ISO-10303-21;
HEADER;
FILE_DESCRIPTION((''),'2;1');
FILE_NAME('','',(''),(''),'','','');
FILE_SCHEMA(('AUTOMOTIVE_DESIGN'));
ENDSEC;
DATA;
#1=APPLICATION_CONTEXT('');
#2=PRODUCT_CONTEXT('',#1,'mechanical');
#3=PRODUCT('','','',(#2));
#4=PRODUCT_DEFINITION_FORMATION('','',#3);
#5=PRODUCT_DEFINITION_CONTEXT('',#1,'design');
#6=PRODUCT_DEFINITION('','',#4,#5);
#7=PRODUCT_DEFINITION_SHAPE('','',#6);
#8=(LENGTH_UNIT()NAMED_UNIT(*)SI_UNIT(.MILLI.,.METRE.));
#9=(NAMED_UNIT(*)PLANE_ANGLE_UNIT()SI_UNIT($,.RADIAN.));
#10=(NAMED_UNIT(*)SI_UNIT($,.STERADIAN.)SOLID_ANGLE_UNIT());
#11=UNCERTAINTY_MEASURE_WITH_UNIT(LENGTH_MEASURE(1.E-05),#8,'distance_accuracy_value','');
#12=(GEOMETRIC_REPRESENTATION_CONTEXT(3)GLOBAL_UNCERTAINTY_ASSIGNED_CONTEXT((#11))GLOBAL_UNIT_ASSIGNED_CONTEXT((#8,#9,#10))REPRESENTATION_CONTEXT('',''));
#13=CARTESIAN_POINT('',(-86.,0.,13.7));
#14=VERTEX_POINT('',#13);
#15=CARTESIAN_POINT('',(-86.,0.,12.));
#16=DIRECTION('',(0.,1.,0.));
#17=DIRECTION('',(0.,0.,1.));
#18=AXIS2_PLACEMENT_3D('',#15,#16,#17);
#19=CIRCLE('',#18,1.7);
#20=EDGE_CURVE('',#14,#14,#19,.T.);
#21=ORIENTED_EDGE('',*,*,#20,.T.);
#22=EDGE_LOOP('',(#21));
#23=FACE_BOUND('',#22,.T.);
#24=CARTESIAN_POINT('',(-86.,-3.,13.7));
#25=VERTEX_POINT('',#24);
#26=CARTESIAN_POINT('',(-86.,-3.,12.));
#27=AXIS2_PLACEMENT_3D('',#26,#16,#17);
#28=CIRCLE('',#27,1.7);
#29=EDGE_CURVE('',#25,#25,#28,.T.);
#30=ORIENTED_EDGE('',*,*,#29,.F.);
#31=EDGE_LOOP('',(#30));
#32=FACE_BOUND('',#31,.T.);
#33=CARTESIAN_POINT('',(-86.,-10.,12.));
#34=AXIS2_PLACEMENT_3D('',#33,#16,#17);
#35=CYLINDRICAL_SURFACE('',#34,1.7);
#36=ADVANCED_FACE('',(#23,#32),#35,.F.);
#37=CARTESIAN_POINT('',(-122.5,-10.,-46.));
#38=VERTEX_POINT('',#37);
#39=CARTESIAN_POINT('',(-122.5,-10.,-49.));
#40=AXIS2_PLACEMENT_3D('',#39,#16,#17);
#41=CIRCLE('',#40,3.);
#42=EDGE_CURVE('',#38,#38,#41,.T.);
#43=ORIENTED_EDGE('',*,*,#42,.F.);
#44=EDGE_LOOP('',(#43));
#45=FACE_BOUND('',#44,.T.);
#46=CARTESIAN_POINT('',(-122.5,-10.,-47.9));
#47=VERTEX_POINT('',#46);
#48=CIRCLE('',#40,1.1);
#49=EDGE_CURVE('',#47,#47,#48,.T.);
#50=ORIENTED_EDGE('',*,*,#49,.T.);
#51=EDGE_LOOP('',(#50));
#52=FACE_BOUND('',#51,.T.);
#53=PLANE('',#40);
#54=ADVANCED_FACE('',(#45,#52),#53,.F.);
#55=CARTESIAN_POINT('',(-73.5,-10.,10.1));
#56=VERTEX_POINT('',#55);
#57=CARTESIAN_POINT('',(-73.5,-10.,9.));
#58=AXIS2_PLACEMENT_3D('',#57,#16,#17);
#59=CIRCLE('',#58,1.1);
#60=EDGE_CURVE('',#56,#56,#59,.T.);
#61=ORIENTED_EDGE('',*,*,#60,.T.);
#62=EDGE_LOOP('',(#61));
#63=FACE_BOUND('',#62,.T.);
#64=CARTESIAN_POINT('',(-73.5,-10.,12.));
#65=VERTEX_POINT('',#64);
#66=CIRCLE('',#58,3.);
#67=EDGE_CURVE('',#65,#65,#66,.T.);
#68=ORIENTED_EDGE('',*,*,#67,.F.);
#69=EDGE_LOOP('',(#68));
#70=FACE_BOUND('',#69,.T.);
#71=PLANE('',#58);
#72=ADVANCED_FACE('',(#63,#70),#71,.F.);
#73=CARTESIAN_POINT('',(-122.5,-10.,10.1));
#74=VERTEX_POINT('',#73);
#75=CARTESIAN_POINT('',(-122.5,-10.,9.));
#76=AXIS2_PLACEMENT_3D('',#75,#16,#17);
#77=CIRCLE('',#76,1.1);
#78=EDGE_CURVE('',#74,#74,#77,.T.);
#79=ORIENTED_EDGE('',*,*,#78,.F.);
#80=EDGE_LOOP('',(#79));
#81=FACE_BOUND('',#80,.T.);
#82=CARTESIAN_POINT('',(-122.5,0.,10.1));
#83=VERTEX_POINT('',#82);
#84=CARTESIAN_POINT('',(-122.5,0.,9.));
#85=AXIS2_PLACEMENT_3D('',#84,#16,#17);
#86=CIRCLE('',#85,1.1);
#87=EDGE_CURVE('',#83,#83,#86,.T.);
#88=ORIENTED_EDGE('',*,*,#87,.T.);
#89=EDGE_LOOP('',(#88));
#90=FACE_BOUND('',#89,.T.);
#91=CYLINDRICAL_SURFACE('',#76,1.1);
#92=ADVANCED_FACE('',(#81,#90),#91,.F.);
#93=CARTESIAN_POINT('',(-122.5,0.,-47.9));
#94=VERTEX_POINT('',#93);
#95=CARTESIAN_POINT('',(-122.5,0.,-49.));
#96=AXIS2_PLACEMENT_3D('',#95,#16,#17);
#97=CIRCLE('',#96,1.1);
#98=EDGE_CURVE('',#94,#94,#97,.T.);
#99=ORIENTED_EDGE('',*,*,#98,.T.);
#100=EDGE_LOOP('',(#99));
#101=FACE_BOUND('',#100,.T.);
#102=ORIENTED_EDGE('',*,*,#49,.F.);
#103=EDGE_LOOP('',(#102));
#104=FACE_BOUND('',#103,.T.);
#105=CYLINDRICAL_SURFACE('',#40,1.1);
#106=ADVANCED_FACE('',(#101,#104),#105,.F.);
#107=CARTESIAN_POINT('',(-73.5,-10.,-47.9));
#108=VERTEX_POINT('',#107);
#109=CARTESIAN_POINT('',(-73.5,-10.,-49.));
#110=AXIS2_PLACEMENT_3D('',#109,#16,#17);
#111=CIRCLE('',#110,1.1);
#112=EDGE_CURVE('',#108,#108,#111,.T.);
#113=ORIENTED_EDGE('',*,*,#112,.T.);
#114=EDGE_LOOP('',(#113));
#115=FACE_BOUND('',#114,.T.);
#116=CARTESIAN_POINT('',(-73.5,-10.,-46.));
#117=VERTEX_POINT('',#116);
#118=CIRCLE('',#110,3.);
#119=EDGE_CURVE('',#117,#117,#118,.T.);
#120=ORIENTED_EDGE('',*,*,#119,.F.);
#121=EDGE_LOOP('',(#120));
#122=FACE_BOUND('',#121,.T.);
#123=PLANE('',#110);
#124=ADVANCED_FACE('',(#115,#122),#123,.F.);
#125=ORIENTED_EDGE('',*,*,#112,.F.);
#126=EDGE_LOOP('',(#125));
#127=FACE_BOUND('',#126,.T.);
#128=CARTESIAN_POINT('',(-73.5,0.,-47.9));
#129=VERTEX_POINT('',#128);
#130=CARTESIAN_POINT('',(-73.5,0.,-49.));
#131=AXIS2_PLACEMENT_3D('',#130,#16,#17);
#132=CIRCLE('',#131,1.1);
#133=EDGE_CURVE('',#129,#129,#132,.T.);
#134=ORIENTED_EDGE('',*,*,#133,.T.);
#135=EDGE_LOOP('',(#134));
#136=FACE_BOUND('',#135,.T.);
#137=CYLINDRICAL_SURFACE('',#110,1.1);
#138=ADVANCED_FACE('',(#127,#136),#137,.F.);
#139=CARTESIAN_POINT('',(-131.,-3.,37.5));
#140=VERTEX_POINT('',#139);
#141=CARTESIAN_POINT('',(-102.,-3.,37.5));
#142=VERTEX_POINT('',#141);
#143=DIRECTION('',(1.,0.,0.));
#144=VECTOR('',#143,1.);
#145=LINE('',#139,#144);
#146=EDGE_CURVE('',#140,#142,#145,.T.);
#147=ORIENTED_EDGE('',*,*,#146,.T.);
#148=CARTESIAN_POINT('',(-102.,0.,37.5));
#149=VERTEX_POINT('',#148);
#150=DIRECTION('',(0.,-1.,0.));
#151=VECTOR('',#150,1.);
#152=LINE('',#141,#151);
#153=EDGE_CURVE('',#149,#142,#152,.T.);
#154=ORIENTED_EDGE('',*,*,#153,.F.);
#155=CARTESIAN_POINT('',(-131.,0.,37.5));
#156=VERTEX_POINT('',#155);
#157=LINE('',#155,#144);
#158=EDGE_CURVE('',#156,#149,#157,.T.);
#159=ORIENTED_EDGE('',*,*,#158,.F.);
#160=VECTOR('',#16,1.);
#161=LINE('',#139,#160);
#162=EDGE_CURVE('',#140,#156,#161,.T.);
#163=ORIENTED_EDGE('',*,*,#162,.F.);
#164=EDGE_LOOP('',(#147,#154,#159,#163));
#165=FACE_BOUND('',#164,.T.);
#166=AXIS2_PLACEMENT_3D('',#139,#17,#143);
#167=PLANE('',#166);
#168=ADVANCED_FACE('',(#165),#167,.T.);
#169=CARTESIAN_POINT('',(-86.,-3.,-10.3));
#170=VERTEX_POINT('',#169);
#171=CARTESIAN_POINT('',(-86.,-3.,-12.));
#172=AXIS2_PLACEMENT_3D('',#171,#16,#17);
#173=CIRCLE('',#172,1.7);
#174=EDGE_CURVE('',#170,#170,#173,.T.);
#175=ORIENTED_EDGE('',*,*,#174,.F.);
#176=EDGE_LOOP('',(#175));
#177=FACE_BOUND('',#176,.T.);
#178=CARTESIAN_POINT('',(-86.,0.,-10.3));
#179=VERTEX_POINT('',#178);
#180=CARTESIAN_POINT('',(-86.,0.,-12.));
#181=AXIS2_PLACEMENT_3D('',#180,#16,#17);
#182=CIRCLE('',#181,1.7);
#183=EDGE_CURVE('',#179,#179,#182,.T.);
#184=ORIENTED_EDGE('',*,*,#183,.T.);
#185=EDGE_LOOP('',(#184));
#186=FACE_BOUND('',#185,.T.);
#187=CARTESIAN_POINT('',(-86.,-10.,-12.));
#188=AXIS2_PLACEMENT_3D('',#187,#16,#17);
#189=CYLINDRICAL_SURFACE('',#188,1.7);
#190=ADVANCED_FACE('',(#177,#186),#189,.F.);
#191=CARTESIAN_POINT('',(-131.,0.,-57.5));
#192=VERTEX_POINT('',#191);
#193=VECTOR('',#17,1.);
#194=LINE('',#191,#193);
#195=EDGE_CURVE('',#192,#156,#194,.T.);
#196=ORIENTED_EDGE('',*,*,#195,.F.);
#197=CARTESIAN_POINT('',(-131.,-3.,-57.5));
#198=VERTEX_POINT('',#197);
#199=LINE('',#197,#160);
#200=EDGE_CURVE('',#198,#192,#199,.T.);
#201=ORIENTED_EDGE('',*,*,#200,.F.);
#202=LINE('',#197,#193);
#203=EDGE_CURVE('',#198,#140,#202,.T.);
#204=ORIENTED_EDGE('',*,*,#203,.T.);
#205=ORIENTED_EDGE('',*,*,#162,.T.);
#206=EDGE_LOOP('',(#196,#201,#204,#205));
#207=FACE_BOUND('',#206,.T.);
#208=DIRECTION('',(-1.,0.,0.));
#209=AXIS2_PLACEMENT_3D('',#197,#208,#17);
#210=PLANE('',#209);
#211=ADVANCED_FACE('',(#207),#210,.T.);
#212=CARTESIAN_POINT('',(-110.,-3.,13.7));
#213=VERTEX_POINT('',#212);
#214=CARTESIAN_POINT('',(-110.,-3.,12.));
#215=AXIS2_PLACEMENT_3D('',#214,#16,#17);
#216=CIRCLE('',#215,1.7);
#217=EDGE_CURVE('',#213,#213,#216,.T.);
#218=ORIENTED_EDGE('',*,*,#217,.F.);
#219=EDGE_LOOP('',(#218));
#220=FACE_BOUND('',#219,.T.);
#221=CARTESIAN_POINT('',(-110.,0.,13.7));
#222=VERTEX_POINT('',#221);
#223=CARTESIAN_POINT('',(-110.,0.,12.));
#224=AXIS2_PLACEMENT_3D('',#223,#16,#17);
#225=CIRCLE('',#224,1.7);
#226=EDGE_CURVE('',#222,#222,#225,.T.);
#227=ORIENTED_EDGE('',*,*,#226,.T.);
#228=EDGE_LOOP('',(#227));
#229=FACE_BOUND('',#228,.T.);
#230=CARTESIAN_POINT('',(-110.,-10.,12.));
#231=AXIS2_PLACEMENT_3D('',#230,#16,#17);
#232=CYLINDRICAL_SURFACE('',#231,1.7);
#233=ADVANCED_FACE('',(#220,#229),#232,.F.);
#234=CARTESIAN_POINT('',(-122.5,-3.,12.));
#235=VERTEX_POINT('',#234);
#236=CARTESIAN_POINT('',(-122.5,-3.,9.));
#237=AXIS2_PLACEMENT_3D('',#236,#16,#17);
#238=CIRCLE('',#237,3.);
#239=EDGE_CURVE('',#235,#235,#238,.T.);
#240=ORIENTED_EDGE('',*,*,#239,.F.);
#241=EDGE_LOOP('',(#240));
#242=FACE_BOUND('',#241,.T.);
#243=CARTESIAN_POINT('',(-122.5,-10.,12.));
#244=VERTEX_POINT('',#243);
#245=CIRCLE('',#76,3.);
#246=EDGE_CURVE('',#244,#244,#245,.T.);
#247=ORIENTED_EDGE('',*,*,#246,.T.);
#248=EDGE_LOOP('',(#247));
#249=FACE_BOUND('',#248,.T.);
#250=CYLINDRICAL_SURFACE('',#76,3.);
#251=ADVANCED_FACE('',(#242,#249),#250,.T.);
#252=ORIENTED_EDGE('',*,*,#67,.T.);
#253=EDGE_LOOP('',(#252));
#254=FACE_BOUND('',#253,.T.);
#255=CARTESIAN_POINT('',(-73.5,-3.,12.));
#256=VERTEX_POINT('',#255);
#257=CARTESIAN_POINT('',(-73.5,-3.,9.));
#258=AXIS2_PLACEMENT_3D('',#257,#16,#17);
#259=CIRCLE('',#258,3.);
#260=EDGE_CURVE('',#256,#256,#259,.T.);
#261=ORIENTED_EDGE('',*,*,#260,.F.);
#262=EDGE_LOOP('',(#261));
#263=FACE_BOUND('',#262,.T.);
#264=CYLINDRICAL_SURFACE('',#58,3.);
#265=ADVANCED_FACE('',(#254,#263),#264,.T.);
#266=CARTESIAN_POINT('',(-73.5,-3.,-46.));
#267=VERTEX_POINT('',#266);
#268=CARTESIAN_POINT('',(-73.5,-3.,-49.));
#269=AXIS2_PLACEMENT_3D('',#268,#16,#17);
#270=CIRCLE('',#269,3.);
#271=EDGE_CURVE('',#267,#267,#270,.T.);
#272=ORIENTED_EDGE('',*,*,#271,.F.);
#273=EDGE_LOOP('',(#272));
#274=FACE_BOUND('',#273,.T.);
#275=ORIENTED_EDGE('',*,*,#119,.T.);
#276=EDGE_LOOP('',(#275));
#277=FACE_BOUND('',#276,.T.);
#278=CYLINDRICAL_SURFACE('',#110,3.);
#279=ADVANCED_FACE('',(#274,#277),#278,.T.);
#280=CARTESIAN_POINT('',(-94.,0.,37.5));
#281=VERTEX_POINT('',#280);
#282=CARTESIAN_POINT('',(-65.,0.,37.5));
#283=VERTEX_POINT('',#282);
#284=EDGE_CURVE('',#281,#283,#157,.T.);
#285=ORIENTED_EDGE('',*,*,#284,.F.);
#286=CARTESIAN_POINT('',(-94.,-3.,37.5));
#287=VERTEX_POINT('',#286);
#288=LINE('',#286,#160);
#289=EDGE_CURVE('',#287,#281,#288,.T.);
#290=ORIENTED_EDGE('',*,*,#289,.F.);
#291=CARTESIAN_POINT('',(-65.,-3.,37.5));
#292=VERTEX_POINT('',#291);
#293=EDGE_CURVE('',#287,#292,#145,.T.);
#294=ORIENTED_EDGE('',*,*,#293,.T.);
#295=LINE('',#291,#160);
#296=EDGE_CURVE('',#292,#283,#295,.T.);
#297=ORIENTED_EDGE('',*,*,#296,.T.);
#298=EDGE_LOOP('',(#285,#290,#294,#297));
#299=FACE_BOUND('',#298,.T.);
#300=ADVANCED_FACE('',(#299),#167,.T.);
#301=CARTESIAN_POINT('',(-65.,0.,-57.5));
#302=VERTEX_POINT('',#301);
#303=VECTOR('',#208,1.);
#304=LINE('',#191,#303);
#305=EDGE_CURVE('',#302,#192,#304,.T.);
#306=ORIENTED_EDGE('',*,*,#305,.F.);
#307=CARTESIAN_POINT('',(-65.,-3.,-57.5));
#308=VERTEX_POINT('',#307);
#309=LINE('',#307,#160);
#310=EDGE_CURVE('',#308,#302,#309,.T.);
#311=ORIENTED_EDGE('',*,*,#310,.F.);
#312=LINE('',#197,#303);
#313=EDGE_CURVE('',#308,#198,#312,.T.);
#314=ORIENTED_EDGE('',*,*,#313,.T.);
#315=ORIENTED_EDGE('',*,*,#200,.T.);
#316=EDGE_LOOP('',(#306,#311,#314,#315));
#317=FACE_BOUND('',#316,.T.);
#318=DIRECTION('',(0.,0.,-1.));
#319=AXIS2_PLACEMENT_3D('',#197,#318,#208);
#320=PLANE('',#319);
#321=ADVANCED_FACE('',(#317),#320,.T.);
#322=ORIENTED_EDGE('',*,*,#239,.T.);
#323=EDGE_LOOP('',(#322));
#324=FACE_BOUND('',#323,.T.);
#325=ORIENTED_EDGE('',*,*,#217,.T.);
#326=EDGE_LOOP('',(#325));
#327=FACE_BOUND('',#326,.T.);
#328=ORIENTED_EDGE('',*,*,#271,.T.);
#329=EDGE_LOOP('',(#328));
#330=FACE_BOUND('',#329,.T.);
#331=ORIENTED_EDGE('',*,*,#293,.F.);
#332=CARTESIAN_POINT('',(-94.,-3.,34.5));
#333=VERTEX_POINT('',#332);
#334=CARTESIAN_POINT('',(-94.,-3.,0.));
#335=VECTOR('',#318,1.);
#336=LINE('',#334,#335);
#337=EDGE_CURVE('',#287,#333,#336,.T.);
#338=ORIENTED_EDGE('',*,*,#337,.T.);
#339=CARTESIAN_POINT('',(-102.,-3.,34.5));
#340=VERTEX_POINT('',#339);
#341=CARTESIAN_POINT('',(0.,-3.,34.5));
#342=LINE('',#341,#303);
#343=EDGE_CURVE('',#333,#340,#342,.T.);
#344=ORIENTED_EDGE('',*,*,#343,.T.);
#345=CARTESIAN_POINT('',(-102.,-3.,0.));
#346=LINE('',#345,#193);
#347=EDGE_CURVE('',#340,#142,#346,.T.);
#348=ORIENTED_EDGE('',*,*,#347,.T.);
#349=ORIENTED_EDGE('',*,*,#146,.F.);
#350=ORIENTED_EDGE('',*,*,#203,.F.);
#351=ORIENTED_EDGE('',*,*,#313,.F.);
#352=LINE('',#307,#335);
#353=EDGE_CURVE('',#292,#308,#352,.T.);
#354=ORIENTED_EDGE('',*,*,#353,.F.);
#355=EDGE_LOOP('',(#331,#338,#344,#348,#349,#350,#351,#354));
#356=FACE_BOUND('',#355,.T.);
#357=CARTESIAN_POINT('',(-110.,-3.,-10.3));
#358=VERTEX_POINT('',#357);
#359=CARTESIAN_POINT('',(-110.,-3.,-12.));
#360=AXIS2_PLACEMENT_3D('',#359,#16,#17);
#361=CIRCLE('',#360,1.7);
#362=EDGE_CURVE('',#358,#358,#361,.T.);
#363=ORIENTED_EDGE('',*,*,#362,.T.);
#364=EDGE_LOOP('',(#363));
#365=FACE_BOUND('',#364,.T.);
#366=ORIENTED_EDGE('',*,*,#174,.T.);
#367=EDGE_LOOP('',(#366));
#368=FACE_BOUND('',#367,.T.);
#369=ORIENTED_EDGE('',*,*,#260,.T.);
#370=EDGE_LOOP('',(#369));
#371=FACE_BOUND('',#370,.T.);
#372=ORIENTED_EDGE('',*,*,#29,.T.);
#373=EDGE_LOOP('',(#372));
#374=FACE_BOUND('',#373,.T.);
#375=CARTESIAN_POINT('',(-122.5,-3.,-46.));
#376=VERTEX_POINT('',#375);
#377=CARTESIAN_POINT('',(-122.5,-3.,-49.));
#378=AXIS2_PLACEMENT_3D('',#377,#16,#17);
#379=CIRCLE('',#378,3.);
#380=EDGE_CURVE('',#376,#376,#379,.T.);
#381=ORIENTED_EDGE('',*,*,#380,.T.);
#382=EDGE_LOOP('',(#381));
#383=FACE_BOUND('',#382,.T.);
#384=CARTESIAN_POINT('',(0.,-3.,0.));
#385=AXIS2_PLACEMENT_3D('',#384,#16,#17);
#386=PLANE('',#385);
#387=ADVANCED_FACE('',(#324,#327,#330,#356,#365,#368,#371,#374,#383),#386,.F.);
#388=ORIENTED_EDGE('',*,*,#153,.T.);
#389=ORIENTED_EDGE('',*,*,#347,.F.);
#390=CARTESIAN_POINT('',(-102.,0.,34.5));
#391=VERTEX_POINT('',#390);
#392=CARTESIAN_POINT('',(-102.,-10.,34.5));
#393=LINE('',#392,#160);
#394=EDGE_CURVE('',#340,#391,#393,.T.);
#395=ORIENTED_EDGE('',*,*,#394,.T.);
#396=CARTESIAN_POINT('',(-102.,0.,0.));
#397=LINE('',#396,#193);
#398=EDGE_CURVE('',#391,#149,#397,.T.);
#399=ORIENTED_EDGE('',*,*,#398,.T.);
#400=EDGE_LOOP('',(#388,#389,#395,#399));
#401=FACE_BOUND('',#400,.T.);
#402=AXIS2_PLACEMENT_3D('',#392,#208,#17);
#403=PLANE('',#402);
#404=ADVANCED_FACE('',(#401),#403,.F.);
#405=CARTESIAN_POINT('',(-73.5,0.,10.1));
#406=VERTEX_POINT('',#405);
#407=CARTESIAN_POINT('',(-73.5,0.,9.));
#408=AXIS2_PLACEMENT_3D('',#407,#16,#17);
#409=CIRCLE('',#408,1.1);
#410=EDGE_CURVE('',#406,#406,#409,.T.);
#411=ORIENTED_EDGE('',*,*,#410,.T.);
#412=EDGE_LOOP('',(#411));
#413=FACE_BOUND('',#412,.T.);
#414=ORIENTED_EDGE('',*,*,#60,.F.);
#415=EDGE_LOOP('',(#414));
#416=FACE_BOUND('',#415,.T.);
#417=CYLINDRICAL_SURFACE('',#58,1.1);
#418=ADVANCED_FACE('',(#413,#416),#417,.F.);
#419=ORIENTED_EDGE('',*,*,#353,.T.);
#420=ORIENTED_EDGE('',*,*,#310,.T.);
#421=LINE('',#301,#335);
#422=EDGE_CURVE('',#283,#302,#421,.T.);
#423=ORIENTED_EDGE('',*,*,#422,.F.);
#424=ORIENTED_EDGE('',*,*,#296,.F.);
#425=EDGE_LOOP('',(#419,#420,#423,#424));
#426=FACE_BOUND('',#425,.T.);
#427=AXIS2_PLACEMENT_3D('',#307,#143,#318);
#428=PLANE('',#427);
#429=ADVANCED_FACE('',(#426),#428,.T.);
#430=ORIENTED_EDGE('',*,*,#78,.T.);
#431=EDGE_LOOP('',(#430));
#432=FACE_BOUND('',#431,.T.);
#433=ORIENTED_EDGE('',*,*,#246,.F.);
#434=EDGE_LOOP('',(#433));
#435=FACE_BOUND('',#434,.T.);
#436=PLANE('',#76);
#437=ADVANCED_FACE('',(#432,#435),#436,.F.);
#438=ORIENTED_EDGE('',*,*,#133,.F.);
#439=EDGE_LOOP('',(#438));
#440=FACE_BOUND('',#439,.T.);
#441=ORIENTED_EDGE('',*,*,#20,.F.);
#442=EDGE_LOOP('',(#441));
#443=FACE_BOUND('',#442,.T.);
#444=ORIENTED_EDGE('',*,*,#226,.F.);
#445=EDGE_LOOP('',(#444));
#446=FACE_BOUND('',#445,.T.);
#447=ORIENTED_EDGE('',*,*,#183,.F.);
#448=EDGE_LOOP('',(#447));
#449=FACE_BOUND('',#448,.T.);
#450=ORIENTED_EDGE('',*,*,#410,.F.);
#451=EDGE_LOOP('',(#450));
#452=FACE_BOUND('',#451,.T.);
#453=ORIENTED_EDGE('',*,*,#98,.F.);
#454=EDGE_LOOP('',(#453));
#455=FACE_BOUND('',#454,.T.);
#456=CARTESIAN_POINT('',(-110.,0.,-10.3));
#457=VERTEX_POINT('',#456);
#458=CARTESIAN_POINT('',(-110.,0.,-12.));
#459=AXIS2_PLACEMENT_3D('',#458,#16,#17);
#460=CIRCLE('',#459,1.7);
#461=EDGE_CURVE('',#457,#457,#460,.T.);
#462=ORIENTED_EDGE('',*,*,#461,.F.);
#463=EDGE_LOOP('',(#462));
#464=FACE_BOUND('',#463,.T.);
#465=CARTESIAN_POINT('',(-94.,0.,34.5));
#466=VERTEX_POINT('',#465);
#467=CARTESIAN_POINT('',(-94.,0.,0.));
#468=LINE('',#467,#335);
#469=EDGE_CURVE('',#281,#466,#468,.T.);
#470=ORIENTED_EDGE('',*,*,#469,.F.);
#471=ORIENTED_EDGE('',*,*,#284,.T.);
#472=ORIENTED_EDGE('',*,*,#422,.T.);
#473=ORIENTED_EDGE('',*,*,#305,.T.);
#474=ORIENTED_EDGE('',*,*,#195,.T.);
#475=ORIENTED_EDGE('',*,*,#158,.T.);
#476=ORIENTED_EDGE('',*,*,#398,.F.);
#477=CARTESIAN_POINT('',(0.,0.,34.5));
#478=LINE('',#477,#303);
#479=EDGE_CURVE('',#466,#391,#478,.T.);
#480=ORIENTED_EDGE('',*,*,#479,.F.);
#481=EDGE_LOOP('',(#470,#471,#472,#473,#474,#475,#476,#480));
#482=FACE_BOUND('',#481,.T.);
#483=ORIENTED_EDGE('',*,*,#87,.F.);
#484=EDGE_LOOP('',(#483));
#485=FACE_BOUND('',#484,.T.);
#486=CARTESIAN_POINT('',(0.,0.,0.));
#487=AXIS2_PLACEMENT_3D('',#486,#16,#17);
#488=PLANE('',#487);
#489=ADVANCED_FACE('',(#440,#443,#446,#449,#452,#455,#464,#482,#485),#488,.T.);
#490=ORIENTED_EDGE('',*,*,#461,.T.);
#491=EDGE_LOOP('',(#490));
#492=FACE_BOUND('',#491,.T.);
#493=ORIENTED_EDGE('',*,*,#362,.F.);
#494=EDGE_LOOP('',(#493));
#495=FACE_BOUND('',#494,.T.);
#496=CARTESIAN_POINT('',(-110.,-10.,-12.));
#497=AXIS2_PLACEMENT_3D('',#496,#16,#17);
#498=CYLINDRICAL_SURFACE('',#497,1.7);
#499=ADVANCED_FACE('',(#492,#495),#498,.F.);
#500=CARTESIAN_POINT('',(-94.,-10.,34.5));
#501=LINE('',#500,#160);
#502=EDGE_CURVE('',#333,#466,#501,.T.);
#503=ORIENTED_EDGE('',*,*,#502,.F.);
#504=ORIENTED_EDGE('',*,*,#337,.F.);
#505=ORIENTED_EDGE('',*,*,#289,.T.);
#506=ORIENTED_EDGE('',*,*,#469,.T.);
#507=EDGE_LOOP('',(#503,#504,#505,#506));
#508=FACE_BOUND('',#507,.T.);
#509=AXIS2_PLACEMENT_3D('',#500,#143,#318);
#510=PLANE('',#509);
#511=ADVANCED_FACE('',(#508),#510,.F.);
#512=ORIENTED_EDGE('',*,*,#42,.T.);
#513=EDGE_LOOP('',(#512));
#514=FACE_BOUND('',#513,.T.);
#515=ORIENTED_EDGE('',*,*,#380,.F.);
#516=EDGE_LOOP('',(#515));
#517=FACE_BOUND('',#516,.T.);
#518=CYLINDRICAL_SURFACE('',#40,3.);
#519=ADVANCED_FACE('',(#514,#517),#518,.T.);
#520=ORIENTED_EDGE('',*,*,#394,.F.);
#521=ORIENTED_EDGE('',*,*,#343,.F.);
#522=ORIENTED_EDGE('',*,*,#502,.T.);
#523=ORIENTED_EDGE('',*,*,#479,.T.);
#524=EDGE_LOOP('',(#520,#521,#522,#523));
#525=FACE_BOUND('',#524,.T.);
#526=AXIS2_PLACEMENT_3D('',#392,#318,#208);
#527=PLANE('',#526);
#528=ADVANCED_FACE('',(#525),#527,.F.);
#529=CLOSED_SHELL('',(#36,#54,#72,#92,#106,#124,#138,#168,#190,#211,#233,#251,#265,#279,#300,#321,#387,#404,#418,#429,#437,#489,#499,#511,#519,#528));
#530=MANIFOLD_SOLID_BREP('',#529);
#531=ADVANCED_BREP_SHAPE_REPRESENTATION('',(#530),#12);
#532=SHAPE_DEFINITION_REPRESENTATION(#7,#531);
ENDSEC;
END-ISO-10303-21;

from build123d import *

# Parameters (mm, degrees)
SKETCH1_W                       = 66
SKETCH1_H                       = 95
CRADLE_BASE_DEPTH               = 3
SKETCH2_R                       = 3
STANDOFFS_DEPTH                 = 10
PILOT_AND_BOLT_HOLES_DEPTH      = 144.412865532
PILOT_AND_BOLT_HOLES_DEPTH_BACK = 144.412865532
SKETCH3_R                       = 1.1
SKETCH3_R_2                     = 1.7
USB_END_NOTCH_DEPTH             = 144.412865532
USB_END_NOTCH_DEPTH_BACK        = 144.412865532
SKETCH4_W                       = 8
SKETCH4_H                       = 4


with BuildPart() as part:
    # Sketch1 → Cradle Base (new body)
    with BuildSketch(Plane(origin=(0, 0, 0), x_dir=(1, 0, 0), z_dir=(0, 1, 0))):
        with Locations((-98, 10)):
            Rectangle(SKETCH1_W, SKETCH1_H)
    extrude(amount=-CRADLE_BASE_DEPTH)

    # Sketch2 → Standoffs (add)
    with BuildSketch(Plane(origin=(0, 0, 0), x_dir=(1, 0, 0), z_dir=(0, 1, 0))):
        with Locations(Location((-122.5, 49, 0), (0, 0, 270))):
            Circle(SKETCH2_R)
        with Locations(Location((-122.5, -9, 0), (0, 0, 270))):
            Circle(SKETCH2_R)
        with Locations(Location((-73.5, 49, 0), (0, 0, 270))):
            Circle(SKETCH2_R)
        with Locations(Location((-73.5, -9, 0), (0, 0, 270))):
            Circle(SKETCH2_R)
    extrude(amount=-STANDOFFS_DEPTH)

    # Sketch3 → Pilot and Bolt Holes (cut, two sides: drawn at the far end of the back side and taken through both)
    with BuildSketch(Plane(origin=(0, 0, 0), x_dir=(1, 0, 0), z_dir=(0, 1, 0)).offset(-PILOT_AND_BOLT_HOLES_DEPTH_BACK)):
        with Locations(Location((-122.5, 49, 0), (0, 0, 270))):
            Circle(SKETCH3_R)
        with Locations(Location((-122.5, -9, 0), (0, 0, 270))):
            Circle(SKETCH3_R)
        with Locations(Location((-73.5, 49, 0), (0, 0, 270))):
            Circle(SKETCH3_R)
        with Locations(Location((-73.5, -9, 0), (0, 0, 270))):
            Circle(SKETCH3_R)
        with Locations(Location((-110, -12, 0), (0, 0, 270))):
            Circle(SKETCH3_R_2)
        with Locations(Location((-110, 12, 0), (0, 0, 270))):
            Circle(SKETCH3_R_2)
        with Locations(Location((-86, -12, 0), (0, 0, 270))):
            Circle(SKETCH3_R_2)
        with Locations(Location((-86, 12, 0), (0, 0, 270))):
            Circle(SKETCH3_R_2)
    extrude(amount=PILOT_AND_BOLT_HOLES_DEPTH + PILOT_AND_BOLT_HOLES_DEPTH_BACK, mode=Mode.SUBTRACT)

    # Sketch4 → USB End Notch (cut, two sides: drawn at the far end of the back side and taken through both)
    with BuildSketch(Plane(origin=(0, 0, 0), x_dir=(1, 0, 0), z_dir=(0, 1, 0)).offset(-USB_END_NOTCH_DEPTH_BACK)):
        with Locations((-98, -36.5)):
            Rectangle(SKETCH4_W, SKETCH4_H)
    extrude(amount=USB_END_NOTCH_DEPTH + USB_END_NOTCH_DEPTH_BACK, mode=Mode.SUBTRACT)


solid = part.part
